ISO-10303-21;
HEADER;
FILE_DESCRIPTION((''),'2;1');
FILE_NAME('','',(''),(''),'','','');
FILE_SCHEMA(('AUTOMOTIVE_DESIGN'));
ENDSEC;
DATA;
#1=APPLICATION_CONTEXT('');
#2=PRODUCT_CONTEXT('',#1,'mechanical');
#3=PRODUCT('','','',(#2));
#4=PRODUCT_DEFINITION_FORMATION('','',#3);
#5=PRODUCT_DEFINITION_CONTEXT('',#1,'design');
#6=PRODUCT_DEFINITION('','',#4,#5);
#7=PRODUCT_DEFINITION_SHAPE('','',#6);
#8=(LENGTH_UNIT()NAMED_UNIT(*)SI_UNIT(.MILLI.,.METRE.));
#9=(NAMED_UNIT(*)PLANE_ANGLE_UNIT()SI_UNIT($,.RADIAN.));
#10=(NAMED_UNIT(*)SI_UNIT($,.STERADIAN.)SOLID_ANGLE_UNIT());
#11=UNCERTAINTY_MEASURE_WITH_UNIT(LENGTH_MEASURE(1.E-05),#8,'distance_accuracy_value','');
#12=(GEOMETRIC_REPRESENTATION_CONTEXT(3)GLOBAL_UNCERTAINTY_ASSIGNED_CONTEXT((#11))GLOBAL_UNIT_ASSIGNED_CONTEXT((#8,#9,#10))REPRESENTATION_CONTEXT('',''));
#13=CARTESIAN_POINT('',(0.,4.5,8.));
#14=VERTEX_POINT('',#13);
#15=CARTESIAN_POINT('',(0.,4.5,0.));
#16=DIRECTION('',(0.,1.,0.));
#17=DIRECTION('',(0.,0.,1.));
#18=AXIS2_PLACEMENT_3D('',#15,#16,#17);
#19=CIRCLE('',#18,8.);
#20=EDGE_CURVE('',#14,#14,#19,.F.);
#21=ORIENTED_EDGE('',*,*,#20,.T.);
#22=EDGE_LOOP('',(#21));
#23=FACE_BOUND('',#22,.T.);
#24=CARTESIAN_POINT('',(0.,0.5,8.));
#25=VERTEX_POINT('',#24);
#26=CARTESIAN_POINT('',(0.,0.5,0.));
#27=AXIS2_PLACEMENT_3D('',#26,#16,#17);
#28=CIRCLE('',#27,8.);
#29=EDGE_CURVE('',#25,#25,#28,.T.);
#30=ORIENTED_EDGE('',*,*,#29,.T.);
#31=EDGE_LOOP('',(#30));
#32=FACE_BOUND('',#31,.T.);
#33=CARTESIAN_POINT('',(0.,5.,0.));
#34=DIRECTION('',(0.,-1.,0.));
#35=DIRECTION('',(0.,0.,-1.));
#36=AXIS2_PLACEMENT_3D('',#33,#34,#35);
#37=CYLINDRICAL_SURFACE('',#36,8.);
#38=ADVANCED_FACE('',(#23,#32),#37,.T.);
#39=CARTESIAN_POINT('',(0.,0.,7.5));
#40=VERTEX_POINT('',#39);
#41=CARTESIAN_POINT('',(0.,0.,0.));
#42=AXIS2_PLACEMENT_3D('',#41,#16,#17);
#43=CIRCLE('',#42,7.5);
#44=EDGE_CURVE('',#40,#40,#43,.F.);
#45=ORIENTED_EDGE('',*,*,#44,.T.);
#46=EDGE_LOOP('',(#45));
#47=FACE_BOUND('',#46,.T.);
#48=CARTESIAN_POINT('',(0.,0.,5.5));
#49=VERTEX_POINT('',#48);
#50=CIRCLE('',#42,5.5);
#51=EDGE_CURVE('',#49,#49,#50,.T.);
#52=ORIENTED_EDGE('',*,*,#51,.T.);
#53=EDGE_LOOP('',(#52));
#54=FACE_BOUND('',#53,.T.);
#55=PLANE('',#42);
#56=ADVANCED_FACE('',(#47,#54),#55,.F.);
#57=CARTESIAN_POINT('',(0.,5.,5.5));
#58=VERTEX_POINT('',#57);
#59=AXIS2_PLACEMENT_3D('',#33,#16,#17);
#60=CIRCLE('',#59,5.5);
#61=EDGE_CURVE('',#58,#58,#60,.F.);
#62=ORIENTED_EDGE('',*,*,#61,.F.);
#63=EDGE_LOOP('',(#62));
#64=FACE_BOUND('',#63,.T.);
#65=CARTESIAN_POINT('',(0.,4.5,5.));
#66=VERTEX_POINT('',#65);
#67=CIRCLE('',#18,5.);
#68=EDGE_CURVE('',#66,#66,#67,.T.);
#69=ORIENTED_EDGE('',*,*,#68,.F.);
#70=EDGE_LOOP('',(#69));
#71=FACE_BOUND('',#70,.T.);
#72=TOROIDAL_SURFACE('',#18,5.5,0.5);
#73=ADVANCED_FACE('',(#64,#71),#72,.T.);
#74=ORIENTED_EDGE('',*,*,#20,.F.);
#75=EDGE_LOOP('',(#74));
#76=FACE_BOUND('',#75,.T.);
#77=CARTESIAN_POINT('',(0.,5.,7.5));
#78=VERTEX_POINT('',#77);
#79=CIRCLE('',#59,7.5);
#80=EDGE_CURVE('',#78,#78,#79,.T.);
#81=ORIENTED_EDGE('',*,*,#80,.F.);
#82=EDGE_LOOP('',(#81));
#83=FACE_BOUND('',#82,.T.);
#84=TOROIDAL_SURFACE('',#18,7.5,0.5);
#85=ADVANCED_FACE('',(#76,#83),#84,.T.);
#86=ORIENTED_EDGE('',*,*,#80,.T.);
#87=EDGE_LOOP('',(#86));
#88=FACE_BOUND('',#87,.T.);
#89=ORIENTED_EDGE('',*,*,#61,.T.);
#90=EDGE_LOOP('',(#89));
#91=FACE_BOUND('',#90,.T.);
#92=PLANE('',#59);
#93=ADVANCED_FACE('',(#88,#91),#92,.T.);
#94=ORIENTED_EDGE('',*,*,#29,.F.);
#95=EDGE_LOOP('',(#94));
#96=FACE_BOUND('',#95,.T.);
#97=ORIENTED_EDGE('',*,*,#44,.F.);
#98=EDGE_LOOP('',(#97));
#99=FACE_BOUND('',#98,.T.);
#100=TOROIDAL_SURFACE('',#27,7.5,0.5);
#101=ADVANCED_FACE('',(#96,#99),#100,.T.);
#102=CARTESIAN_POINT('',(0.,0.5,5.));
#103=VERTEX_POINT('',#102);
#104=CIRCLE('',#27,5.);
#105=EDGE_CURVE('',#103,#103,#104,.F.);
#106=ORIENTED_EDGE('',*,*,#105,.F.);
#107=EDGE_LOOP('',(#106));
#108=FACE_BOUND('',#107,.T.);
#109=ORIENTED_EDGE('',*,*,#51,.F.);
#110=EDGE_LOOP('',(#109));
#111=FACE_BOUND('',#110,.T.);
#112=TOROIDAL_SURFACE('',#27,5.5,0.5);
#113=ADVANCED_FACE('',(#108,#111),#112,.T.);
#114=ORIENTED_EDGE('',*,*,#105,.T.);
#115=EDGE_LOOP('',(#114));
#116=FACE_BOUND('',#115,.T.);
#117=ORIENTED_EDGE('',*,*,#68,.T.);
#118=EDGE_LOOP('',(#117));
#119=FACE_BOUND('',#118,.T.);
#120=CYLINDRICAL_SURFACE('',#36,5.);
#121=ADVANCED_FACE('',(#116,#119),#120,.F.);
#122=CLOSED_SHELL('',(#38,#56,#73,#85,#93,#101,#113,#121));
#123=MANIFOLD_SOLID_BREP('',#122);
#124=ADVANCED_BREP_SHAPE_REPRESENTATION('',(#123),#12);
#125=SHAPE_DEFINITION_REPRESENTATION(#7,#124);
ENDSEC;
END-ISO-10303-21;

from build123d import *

# Parameters (mm, degrees)
SKETCH_1_R      = 8
SKETCH_1_R_2    = 5
EXTRUDE_1_DEPTH = 5
FILLET_1_R      = 0.5


with BuildPart() as part:
    # 草圖1 → 填料-伸長1 (new body)
    with BuildSketch(Plane(origin=(0, 0, 0), x_dir=(1, 0, 0), z_dir=(0, 1, 0))):
        with Locations(Location((0, 0, 0), (0, 0, 270))):
            Circle(SKETCH_1_R)
        with Locations(Location((0, 0, 0), (0, 0, 270))):
            Circle(SKETCH_1_R_2, mode=Mode.SUBTRACT)
    extrude(amount=EXTRUDE_1_DEPTH)

    # 圓角1
    fillet_1_edges = [part.edges().sort_by_distance(p)[0] for p in [
        (0, 0, -8),
        (0, 5, -8),
        (0, 0, -5),
        (0, 5, -5),
    ]]
    fillet(fillet_1_edges, radius=FILLET_1_R)


solid = part.part
